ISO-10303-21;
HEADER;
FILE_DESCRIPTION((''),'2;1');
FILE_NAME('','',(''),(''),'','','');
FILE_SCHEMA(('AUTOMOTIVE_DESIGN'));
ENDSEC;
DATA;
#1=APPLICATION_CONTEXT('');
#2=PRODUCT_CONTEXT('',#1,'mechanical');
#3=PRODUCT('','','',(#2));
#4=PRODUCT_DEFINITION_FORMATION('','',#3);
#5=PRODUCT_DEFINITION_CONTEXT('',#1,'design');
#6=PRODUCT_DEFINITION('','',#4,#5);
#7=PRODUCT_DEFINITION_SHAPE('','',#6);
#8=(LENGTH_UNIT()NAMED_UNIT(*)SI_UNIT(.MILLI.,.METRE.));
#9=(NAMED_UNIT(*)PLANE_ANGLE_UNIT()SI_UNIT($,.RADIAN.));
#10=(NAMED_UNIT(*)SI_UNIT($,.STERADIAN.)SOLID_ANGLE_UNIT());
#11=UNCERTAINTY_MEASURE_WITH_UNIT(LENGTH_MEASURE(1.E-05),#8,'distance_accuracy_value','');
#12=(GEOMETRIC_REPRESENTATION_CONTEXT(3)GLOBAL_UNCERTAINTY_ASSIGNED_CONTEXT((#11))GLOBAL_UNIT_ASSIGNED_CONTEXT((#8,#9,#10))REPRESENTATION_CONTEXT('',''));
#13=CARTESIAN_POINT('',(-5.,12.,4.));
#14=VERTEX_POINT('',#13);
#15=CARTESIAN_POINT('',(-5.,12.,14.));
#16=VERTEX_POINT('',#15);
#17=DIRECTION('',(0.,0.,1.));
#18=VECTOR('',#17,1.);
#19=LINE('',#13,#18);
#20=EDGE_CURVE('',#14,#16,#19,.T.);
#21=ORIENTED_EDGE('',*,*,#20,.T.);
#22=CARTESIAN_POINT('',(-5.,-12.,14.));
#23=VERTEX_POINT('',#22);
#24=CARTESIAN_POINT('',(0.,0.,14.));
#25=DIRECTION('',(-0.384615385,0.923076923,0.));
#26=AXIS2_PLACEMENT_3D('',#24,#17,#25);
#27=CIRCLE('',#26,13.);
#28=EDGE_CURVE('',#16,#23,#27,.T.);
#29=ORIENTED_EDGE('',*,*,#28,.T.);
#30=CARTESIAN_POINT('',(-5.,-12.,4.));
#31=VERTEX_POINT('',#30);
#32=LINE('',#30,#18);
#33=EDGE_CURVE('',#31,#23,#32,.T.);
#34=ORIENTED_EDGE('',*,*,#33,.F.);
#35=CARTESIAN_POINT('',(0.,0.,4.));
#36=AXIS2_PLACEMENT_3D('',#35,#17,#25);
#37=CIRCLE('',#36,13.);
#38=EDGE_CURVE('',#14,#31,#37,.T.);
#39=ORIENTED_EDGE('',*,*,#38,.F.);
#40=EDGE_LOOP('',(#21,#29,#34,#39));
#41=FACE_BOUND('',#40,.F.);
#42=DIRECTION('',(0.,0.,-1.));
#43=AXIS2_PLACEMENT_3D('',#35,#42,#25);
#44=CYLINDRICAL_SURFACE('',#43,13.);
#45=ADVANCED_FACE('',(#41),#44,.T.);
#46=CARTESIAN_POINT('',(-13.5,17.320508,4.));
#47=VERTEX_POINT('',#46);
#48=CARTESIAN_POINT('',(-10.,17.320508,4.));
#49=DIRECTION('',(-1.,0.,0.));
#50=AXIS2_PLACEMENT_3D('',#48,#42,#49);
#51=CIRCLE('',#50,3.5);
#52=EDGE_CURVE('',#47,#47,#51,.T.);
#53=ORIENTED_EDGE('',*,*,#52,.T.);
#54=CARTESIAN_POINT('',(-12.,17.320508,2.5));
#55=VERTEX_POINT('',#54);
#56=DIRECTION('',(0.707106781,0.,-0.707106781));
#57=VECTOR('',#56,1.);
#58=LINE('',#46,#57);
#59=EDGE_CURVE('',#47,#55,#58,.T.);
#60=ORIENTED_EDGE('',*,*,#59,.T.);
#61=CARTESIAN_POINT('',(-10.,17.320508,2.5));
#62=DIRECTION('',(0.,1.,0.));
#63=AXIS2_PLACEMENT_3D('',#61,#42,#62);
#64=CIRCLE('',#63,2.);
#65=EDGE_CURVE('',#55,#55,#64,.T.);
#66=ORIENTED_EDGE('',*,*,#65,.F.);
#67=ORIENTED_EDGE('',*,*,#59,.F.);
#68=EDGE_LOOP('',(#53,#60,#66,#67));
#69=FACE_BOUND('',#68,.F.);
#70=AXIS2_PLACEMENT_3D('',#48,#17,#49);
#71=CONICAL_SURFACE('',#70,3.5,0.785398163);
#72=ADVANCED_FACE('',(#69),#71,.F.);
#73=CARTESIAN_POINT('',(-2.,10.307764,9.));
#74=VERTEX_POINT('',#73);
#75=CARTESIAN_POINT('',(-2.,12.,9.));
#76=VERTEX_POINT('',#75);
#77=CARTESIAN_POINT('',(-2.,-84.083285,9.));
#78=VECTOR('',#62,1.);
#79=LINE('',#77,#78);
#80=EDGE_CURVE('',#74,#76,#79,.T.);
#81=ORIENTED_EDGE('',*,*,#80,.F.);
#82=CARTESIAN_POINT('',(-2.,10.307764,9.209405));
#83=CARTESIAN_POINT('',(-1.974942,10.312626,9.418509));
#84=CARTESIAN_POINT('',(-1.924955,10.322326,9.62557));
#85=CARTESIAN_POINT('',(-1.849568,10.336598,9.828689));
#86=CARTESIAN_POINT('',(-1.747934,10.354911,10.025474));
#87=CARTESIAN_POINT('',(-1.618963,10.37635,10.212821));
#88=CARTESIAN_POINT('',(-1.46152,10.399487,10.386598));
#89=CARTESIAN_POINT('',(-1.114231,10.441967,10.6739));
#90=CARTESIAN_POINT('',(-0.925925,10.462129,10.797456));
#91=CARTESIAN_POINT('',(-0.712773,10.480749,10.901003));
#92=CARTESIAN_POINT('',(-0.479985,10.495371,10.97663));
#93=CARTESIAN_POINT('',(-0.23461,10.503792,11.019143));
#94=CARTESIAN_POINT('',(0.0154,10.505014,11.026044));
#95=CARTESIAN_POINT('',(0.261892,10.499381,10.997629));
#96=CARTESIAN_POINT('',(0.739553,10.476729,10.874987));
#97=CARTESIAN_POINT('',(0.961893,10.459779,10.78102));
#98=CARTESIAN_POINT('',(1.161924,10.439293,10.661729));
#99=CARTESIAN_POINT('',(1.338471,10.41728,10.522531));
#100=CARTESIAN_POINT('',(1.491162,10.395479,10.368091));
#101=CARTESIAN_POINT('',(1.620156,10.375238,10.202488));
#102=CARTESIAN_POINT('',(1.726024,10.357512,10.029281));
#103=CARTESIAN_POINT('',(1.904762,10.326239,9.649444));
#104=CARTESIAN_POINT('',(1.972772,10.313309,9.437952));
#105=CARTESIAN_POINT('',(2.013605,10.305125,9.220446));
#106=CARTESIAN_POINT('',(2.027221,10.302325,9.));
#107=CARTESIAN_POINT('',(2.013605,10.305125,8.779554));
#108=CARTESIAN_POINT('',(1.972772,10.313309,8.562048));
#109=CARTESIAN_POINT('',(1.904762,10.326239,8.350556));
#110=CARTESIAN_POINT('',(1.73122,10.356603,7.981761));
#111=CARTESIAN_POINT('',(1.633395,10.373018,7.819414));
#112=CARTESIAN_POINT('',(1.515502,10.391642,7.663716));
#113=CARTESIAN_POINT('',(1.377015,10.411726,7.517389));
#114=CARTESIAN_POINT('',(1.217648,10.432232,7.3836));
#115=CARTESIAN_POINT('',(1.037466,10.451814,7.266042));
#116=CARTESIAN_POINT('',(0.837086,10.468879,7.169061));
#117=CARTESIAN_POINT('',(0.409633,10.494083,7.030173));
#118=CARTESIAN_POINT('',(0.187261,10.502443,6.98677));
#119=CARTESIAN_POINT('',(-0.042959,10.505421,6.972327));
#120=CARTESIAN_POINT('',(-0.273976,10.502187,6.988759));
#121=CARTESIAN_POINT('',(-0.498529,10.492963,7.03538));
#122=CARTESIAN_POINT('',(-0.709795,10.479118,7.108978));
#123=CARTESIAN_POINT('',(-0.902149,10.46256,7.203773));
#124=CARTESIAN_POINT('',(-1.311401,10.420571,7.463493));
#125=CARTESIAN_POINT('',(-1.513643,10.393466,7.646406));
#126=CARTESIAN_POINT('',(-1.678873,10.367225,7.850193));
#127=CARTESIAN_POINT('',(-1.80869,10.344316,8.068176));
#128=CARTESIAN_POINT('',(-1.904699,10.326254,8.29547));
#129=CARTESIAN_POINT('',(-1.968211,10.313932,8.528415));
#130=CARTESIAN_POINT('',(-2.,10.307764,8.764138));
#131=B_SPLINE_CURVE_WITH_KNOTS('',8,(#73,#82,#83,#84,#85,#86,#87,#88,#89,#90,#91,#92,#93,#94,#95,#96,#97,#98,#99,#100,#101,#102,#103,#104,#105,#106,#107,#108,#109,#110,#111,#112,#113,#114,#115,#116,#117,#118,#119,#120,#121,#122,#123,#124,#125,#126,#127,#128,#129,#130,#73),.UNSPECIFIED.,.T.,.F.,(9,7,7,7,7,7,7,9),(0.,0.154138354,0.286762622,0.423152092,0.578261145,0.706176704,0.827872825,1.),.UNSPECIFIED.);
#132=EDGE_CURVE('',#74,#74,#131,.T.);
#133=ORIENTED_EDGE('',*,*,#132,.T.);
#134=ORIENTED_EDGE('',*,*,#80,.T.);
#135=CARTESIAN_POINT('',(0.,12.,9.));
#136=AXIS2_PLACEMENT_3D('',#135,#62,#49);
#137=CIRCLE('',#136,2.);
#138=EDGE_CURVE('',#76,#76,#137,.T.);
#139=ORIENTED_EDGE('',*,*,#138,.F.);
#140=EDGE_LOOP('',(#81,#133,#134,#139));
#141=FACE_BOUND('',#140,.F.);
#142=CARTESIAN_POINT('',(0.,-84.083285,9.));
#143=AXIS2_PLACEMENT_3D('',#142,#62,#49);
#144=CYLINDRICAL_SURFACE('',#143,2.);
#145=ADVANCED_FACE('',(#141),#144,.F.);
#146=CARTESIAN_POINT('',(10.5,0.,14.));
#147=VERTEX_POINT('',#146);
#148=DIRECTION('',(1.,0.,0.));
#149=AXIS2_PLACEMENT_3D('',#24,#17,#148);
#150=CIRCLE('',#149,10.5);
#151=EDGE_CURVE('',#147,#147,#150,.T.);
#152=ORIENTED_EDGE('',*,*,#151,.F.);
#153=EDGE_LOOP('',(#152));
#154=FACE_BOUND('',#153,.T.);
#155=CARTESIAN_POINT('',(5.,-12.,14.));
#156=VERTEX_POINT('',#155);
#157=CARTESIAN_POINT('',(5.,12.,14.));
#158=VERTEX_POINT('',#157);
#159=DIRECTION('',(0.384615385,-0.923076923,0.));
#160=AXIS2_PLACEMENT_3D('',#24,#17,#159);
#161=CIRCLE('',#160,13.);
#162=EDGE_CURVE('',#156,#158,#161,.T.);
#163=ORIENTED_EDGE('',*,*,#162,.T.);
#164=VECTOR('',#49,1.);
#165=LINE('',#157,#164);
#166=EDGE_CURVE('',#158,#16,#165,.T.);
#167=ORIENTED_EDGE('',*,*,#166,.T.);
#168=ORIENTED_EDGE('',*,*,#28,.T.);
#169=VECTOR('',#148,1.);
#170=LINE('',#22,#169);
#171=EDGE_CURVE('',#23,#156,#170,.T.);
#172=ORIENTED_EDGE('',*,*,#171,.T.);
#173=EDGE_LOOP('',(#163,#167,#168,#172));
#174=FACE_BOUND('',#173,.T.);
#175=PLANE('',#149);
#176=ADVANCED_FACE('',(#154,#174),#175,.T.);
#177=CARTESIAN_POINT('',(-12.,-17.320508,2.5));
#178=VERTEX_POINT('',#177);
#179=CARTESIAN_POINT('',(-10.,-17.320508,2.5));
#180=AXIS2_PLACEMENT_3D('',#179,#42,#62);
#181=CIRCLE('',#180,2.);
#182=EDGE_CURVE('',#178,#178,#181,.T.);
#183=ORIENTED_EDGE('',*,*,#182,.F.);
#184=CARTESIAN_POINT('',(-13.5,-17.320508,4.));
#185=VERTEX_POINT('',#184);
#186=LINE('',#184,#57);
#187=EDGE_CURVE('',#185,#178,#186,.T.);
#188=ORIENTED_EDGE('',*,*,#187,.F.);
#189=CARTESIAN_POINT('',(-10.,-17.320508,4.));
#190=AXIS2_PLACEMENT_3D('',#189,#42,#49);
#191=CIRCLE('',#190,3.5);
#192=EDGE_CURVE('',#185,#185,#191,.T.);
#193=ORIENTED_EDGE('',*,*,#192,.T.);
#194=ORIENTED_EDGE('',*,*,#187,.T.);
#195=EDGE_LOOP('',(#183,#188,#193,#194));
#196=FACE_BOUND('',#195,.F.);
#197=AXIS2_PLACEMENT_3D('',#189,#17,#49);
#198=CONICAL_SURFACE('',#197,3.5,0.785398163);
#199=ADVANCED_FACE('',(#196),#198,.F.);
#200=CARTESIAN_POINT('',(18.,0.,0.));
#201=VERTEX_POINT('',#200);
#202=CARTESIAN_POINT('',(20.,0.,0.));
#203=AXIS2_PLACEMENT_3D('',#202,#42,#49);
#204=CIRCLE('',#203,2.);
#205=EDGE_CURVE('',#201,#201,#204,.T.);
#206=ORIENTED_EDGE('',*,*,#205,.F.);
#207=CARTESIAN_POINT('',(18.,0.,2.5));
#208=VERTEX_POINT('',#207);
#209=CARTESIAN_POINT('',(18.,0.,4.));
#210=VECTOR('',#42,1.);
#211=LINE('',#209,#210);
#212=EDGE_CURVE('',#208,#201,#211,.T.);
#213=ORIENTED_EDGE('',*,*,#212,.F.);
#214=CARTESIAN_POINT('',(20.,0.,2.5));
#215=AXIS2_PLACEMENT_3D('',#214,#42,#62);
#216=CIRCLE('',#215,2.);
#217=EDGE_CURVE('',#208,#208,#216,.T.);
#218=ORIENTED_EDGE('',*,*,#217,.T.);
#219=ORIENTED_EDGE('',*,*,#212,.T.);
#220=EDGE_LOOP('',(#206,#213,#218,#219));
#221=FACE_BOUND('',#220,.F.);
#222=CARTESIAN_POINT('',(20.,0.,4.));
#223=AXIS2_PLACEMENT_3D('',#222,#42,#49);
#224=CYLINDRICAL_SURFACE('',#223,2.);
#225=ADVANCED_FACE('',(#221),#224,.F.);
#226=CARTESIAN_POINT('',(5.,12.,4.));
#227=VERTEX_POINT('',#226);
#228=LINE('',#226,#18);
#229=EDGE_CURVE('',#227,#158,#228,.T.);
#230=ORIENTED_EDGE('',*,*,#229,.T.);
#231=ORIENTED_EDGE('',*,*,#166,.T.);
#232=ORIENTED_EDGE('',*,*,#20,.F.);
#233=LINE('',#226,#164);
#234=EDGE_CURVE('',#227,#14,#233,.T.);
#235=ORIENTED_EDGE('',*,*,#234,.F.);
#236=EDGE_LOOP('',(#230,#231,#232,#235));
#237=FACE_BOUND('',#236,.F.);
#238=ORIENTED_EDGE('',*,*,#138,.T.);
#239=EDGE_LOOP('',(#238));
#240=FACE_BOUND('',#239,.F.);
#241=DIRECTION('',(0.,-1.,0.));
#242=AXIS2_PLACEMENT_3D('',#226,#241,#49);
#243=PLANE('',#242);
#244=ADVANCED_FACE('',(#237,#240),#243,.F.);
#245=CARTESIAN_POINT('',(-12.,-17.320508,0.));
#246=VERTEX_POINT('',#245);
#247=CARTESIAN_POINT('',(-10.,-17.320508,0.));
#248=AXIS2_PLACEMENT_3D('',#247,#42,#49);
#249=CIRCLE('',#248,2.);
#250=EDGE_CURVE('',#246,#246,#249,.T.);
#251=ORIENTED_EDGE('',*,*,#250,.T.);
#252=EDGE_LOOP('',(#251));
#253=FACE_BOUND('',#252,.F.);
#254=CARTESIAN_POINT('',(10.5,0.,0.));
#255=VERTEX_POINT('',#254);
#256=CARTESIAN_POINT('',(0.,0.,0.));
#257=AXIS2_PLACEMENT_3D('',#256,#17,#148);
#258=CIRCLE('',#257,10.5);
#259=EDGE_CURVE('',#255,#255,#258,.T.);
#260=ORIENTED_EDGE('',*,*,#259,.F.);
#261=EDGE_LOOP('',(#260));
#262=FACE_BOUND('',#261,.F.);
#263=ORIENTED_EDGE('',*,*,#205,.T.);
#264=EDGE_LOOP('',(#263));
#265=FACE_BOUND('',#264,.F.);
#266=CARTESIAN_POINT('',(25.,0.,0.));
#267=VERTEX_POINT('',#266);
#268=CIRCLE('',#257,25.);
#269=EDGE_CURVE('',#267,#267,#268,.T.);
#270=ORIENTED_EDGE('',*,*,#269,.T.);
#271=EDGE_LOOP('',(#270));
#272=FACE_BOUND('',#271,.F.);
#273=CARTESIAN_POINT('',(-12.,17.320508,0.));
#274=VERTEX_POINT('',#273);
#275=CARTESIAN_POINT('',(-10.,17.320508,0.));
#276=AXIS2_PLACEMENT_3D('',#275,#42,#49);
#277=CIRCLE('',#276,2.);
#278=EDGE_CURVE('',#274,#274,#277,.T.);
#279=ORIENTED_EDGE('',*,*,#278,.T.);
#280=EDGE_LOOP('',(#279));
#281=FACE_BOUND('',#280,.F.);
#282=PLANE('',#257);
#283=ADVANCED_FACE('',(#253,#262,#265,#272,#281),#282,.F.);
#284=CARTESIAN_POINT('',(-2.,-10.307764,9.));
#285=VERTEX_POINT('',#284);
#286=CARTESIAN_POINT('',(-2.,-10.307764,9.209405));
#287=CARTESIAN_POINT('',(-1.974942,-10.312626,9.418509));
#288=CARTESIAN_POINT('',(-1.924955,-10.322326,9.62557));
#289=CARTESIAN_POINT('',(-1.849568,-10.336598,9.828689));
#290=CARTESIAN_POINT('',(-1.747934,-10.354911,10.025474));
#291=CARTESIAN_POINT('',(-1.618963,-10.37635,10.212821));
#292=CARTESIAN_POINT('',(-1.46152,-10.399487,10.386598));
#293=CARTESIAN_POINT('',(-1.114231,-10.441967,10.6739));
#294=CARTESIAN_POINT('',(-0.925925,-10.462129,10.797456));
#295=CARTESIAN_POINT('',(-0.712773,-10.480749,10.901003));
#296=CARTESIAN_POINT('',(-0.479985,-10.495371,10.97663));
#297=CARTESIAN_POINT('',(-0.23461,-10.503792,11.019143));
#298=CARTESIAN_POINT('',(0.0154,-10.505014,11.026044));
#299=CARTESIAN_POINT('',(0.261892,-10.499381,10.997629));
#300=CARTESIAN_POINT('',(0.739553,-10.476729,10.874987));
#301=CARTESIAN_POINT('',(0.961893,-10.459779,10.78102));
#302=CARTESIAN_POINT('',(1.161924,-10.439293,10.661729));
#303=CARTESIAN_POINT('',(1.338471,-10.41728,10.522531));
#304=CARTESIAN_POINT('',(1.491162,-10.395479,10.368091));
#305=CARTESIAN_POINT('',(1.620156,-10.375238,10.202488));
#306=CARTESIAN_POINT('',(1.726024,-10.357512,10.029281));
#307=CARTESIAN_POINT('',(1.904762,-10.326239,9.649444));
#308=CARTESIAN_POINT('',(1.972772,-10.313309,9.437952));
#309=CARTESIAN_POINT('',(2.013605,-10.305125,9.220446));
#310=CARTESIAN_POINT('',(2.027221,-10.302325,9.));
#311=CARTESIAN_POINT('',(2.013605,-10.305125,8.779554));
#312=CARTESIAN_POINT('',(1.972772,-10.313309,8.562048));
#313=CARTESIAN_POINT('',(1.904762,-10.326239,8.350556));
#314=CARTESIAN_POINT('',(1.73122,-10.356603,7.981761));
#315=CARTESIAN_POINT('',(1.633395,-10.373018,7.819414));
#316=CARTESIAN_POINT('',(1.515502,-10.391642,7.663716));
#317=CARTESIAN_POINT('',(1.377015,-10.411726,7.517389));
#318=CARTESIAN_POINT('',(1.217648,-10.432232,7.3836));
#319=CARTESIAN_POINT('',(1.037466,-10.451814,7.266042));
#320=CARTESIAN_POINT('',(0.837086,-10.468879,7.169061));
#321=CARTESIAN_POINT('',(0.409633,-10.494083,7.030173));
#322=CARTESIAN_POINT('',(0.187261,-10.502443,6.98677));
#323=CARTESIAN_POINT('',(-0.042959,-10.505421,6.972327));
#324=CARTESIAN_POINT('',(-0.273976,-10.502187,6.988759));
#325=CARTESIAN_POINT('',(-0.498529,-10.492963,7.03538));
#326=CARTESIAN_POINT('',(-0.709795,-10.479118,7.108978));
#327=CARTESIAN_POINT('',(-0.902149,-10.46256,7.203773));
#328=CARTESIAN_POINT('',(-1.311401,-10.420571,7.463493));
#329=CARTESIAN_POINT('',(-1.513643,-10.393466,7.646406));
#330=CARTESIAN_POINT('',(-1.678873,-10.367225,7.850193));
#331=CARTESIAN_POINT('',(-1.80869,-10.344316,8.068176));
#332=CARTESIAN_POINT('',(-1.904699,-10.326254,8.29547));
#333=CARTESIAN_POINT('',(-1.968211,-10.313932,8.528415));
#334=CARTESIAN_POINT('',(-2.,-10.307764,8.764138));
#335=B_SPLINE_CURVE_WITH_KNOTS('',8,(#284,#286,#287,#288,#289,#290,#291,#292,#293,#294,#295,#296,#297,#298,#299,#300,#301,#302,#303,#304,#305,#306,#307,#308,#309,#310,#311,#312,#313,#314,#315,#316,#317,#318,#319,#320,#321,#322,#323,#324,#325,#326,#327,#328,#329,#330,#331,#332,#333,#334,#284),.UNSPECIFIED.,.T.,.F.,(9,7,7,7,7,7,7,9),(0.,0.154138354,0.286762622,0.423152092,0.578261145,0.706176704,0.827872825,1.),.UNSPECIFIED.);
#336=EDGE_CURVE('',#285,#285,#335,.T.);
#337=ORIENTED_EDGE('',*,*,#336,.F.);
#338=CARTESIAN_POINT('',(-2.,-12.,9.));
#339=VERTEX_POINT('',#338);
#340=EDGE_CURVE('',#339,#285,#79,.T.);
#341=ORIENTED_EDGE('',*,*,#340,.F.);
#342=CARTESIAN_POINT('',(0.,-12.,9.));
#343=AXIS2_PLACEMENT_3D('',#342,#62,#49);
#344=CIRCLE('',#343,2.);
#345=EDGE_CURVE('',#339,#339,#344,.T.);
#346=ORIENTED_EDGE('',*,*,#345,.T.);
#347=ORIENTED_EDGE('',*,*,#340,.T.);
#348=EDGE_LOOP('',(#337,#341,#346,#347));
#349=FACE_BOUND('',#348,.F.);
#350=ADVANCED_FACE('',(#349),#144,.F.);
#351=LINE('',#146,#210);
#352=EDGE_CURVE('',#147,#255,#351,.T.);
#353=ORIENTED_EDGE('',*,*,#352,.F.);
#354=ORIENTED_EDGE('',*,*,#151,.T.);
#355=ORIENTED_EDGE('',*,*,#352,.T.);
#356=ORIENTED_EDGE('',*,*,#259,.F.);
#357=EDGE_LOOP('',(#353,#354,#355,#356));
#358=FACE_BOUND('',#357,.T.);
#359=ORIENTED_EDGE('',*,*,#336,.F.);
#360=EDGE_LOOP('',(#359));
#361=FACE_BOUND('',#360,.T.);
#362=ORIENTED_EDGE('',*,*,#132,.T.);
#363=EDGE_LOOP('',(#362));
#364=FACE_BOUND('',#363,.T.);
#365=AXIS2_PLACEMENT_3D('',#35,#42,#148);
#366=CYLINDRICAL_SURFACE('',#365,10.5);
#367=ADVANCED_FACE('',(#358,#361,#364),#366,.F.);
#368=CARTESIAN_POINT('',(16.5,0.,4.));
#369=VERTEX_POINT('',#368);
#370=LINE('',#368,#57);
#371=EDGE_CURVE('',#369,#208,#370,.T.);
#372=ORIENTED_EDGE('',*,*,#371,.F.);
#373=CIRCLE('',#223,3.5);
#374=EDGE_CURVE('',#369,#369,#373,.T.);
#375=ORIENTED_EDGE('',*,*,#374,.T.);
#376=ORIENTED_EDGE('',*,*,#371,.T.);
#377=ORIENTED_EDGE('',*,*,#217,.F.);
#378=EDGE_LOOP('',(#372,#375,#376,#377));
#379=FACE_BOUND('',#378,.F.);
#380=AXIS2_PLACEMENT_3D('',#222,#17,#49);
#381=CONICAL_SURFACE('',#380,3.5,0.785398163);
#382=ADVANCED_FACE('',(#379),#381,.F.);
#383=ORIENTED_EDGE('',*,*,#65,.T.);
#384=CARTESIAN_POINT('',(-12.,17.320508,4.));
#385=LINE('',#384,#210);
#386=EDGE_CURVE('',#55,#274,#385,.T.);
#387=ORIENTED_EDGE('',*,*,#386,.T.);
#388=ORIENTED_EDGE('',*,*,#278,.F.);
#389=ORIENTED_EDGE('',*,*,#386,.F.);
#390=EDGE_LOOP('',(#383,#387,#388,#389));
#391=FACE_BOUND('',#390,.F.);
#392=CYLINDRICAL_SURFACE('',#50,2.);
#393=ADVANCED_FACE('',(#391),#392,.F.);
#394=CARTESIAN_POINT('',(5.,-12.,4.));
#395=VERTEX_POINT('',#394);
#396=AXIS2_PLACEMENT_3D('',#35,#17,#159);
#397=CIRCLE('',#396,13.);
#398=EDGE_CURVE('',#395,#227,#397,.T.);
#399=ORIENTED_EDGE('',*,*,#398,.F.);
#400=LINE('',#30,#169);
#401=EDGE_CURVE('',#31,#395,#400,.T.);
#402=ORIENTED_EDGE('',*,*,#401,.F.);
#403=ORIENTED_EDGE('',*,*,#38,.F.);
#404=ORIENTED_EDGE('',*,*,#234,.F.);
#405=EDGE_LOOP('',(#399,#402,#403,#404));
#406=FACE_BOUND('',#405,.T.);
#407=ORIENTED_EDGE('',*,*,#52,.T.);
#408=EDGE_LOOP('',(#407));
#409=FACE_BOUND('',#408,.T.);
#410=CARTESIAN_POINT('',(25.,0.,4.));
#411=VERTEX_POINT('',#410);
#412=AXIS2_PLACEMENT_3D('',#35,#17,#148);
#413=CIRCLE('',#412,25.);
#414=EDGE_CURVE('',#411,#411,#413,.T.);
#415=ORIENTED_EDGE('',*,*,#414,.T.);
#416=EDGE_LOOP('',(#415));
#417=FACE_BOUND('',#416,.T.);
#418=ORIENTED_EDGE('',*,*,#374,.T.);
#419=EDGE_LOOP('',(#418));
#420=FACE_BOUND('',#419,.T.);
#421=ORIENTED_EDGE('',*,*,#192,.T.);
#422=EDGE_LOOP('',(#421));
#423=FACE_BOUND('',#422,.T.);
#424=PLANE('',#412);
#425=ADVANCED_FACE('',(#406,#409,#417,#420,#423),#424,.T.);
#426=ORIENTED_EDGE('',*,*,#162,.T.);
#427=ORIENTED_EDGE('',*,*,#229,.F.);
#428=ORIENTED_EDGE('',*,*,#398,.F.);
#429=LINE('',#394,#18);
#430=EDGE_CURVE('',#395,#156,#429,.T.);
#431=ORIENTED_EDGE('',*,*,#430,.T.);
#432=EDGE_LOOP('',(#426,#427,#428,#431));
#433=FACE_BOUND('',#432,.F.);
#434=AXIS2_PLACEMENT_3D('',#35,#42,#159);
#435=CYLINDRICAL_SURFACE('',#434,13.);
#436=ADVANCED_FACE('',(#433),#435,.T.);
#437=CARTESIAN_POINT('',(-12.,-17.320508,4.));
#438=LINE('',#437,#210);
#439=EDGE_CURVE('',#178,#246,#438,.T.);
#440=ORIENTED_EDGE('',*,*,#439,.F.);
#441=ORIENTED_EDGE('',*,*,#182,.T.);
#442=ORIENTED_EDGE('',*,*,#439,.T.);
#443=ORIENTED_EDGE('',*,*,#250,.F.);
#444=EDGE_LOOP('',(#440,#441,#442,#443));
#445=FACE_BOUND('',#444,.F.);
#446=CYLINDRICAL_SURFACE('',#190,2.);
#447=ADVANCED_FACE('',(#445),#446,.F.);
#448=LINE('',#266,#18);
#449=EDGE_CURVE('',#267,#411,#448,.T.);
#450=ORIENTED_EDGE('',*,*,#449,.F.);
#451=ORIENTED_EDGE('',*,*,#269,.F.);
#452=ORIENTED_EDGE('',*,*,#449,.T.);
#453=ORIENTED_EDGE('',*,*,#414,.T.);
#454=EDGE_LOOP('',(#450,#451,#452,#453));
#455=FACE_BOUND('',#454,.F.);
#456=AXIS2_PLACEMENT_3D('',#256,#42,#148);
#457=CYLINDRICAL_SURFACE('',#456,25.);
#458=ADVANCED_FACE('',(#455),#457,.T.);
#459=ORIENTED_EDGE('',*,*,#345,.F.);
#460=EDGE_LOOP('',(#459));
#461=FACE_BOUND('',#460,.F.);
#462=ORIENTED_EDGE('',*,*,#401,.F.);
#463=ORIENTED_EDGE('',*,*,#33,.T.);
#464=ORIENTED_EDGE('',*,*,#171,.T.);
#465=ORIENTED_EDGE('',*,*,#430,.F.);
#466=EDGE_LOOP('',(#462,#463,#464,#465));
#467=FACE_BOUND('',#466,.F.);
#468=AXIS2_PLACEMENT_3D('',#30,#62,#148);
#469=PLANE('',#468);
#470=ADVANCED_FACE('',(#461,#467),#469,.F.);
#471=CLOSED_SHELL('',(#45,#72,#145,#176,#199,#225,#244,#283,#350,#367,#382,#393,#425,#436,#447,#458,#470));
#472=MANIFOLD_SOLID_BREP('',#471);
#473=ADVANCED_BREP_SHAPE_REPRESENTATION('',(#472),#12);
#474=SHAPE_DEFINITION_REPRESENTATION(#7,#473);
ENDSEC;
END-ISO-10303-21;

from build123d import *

# Parameters (mm, degrees)
F0_R           = 25
F0_R_2         = 10.5
F1_DEPTH       = 4
F2_R           = 10.5
F3_DEPTH       = 10
F5_D           = 4
F5_CSINK_D     = 7
F5_CSINK_ANGLE = 90
F7_D           = 4


with BuildPart() as f1:
    # F0 (on Top) → F1 (new body)
    with BuildSketch(Plane.XY):
        Circle(F0_R)
        Circle(F0_R_2, mode=Mode.SUBTRACT)
    extrude(amount=F1_DEPTH)

    # F2 (on face) → F3 (join)
    with BuildSketch(Plane.XY.offset(4)):
        with BuildLine():
            Line((-5, -12), (5, -12))
            ThreePointArc((5, -12), (13, 0), (5, 12))
            Line((5, 12), (-5, 12))
            ThreePointArc((-5, 12), (-13, 0), (-5, -12))
        make_face()
        Circle(F2_R, mode=Mode.SUBTRACT)
    extrude(amount=F3_DEPTH)

    # F5 (through all)
    with Locations(Plane.XY.offset(4)):
        with Locations((-10, -17.320508), (-10, 17.320508), (20, 0)):
            CounterSinkHole(F5_D / 2, F5_CSINK_D / 2, counter_sink_angle=F5_CSINK_ANGLE)

    # F7 (through all)
    with Locations(Plane.XZ.offset(12)):
        with Locations((0, 9)):
            Hole(F7_D / 2)


solid = f1.part
